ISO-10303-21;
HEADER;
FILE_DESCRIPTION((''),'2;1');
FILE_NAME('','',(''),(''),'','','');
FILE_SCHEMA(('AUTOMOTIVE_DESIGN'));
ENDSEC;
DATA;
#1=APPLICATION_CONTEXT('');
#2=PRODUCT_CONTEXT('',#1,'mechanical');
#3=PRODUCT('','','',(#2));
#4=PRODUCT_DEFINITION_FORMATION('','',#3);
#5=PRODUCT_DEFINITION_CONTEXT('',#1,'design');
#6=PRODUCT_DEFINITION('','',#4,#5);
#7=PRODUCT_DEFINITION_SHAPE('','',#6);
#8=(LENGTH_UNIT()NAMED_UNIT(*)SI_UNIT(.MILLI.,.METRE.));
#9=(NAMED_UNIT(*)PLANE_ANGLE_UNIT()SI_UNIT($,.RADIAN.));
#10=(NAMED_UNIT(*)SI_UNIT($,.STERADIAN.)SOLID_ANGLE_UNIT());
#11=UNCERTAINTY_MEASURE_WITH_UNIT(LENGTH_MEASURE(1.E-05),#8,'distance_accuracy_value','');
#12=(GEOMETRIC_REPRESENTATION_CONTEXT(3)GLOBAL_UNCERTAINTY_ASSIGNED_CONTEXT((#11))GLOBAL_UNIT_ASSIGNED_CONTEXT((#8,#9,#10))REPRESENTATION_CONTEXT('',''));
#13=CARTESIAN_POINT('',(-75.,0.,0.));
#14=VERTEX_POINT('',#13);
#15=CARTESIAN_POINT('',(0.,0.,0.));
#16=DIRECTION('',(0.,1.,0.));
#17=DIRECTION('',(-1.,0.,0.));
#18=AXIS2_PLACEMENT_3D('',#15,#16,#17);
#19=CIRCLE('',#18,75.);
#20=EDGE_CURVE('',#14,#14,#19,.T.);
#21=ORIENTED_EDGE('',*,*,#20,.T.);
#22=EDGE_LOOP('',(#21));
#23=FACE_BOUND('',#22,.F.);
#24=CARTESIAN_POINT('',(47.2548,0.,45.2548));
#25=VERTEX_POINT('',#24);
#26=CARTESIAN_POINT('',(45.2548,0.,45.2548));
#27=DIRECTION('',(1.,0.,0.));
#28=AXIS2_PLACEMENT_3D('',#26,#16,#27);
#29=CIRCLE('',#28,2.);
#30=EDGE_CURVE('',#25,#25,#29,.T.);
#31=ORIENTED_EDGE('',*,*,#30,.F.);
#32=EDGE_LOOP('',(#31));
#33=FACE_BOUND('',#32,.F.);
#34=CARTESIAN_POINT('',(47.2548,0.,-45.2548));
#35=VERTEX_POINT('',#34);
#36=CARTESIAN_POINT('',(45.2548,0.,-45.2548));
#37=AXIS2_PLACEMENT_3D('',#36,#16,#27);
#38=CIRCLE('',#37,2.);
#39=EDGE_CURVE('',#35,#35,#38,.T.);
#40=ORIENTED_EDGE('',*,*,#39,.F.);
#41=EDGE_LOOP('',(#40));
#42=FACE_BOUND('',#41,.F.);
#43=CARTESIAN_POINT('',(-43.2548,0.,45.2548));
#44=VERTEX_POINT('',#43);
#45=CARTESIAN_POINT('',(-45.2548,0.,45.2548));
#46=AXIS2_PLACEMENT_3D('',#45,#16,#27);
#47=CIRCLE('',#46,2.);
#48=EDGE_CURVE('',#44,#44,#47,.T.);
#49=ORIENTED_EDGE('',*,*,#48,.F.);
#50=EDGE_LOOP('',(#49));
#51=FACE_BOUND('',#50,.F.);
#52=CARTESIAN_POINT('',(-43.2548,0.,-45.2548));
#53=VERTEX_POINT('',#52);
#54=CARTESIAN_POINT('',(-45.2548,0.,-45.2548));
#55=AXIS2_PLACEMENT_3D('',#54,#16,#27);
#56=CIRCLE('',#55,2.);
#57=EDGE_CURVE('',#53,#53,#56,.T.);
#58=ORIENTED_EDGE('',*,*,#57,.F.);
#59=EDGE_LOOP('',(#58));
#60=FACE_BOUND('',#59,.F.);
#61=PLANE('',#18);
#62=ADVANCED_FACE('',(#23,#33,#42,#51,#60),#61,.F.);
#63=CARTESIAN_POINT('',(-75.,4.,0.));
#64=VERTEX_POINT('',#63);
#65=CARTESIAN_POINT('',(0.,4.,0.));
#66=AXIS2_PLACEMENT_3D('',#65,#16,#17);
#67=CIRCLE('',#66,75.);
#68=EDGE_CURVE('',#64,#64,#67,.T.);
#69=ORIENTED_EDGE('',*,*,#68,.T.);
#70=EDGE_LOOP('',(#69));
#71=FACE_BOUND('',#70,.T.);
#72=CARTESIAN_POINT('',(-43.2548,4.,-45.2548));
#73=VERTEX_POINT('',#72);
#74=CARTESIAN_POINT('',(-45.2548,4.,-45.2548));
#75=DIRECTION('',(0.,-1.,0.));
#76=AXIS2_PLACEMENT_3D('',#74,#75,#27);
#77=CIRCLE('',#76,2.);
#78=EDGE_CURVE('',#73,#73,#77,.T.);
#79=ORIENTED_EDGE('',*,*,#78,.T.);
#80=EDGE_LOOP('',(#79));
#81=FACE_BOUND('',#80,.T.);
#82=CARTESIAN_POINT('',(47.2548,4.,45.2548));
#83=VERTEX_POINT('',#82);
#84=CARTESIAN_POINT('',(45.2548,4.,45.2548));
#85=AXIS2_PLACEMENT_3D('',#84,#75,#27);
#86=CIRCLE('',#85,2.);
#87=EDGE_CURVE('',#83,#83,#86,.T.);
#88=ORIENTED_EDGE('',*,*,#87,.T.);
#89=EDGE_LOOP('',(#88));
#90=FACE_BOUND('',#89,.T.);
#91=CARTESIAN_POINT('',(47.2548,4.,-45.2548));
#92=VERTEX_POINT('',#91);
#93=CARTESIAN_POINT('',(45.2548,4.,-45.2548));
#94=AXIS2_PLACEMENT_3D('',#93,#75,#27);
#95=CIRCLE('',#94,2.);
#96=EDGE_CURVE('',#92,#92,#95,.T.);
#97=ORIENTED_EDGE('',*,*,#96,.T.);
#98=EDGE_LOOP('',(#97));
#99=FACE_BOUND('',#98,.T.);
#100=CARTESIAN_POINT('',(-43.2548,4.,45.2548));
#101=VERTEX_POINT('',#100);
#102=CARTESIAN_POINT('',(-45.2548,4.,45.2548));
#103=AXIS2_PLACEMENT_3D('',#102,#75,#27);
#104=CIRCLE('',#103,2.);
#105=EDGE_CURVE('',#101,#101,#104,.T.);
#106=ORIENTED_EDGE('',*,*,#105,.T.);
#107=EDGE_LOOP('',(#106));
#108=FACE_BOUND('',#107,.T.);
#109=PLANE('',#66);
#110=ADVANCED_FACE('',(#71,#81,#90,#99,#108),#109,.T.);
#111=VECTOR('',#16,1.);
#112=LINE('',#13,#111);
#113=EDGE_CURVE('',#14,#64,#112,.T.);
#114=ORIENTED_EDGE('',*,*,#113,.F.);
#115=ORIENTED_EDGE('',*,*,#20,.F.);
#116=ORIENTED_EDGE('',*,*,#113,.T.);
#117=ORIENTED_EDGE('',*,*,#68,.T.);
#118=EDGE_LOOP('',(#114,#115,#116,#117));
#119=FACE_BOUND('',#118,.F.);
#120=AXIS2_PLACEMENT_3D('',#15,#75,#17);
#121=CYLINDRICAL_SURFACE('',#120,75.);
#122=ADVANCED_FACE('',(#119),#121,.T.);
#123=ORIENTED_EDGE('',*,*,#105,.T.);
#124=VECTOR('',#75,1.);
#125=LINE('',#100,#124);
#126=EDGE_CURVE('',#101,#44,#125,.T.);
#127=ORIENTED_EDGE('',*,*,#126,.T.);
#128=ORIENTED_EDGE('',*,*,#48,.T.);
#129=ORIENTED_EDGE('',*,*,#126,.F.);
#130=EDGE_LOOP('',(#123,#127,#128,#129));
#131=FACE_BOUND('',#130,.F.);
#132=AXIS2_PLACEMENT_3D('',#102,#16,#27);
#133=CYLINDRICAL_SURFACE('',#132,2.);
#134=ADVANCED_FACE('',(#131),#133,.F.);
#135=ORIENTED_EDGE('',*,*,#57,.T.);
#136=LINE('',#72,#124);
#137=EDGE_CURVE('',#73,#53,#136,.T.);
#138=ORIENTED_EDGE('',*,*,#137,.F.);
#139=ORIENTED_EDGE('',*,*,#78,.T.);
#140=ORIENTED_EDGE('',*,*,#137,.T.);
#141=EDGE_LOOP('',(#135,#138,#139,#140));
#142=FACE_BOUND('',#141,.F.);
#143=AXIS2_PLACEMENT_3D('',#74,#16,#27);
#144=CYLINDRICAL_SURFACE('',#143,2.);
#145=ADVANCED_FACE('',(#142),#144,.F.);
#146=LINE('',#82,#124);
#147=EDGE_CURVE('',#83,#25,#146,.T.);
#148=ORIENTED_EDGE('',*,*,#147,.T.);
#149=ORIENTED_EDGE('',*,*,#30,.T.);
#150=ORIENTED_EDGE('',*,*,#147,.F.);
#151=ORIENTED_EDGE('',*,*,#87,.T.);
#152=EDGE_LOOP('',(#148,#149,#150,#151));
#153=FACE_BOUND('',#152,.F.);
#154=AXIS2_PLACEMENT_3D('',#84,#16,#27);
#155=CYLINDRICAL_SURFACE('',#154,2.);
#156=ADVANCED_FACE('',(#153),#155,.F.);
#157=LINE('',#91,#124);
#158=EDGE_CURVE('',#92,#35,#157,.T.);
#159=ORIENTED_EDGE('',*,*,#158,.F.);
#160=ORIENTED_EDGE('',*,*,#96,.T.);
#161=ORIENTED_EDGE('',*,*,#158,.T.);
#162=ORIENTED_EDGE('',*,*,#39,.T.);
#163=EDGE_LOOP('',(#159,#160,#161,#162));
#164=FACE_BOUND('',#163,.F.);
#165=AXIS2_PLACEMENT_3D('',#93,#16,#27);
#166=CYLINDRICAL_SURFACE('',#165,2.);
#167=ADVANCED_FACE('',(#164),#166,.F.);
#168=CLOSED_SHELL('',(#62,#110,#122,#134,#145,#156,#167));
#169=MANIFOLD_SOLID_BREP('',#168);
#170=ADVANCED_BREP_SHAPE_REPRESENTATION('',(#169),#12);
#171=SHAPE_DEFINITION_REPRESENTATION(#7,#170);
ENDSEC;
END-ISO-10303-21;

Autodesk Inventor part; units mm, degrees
ref_plane "YZ Plane" through (0, 0, 0) normal (1, 0, 0) x (0, 1, 0)
ref_plane "XZ Plane" through (0, 0, 0) normal (0, 1, 0) x (-1, 0, 0)
ref_plane "XY Plane" through (0, 0, 0) normal (0, 0, 1) x (1, 0, 0)
sketch "Boceto1" plane through (0, 0, 0) normal (0, 1, 0) x (-1, 0, 0)
  circle A0 centre (0, 0) radius 75
  dimension "d0" = 150
extrude "Extrusión1" add sketch "Boceto1" along normal blind 4
sketch "Boceto2" plane through (0, 4, 0) normal (0, 1, 0) x (1, 0, 0)
  circle A0 centre (0, 0) radius 64
  line L0 (0, 0) -> (64, 0) construction
  circle A1 centre (45.2548, 45.2548) radius 2
  circle A2 centre (-45.2548, 45.2548) radius 2
  circle A3 centre (-45.2548, -45.2548) radius 2
  circle A4 centre (45.2548, -45.2548) radius 2
  dimension "d5" = 4
  dimension "d8" = 360
extrude "Extrusión2" cut sketch "Boceto2" against normal blind 4 contours A1 A0 | A0 A1 | A4 A0 | A0 A4 | A2 A0 | A0 A2 | A3 A0 | A0 A3
properties part number "Plataforma"
